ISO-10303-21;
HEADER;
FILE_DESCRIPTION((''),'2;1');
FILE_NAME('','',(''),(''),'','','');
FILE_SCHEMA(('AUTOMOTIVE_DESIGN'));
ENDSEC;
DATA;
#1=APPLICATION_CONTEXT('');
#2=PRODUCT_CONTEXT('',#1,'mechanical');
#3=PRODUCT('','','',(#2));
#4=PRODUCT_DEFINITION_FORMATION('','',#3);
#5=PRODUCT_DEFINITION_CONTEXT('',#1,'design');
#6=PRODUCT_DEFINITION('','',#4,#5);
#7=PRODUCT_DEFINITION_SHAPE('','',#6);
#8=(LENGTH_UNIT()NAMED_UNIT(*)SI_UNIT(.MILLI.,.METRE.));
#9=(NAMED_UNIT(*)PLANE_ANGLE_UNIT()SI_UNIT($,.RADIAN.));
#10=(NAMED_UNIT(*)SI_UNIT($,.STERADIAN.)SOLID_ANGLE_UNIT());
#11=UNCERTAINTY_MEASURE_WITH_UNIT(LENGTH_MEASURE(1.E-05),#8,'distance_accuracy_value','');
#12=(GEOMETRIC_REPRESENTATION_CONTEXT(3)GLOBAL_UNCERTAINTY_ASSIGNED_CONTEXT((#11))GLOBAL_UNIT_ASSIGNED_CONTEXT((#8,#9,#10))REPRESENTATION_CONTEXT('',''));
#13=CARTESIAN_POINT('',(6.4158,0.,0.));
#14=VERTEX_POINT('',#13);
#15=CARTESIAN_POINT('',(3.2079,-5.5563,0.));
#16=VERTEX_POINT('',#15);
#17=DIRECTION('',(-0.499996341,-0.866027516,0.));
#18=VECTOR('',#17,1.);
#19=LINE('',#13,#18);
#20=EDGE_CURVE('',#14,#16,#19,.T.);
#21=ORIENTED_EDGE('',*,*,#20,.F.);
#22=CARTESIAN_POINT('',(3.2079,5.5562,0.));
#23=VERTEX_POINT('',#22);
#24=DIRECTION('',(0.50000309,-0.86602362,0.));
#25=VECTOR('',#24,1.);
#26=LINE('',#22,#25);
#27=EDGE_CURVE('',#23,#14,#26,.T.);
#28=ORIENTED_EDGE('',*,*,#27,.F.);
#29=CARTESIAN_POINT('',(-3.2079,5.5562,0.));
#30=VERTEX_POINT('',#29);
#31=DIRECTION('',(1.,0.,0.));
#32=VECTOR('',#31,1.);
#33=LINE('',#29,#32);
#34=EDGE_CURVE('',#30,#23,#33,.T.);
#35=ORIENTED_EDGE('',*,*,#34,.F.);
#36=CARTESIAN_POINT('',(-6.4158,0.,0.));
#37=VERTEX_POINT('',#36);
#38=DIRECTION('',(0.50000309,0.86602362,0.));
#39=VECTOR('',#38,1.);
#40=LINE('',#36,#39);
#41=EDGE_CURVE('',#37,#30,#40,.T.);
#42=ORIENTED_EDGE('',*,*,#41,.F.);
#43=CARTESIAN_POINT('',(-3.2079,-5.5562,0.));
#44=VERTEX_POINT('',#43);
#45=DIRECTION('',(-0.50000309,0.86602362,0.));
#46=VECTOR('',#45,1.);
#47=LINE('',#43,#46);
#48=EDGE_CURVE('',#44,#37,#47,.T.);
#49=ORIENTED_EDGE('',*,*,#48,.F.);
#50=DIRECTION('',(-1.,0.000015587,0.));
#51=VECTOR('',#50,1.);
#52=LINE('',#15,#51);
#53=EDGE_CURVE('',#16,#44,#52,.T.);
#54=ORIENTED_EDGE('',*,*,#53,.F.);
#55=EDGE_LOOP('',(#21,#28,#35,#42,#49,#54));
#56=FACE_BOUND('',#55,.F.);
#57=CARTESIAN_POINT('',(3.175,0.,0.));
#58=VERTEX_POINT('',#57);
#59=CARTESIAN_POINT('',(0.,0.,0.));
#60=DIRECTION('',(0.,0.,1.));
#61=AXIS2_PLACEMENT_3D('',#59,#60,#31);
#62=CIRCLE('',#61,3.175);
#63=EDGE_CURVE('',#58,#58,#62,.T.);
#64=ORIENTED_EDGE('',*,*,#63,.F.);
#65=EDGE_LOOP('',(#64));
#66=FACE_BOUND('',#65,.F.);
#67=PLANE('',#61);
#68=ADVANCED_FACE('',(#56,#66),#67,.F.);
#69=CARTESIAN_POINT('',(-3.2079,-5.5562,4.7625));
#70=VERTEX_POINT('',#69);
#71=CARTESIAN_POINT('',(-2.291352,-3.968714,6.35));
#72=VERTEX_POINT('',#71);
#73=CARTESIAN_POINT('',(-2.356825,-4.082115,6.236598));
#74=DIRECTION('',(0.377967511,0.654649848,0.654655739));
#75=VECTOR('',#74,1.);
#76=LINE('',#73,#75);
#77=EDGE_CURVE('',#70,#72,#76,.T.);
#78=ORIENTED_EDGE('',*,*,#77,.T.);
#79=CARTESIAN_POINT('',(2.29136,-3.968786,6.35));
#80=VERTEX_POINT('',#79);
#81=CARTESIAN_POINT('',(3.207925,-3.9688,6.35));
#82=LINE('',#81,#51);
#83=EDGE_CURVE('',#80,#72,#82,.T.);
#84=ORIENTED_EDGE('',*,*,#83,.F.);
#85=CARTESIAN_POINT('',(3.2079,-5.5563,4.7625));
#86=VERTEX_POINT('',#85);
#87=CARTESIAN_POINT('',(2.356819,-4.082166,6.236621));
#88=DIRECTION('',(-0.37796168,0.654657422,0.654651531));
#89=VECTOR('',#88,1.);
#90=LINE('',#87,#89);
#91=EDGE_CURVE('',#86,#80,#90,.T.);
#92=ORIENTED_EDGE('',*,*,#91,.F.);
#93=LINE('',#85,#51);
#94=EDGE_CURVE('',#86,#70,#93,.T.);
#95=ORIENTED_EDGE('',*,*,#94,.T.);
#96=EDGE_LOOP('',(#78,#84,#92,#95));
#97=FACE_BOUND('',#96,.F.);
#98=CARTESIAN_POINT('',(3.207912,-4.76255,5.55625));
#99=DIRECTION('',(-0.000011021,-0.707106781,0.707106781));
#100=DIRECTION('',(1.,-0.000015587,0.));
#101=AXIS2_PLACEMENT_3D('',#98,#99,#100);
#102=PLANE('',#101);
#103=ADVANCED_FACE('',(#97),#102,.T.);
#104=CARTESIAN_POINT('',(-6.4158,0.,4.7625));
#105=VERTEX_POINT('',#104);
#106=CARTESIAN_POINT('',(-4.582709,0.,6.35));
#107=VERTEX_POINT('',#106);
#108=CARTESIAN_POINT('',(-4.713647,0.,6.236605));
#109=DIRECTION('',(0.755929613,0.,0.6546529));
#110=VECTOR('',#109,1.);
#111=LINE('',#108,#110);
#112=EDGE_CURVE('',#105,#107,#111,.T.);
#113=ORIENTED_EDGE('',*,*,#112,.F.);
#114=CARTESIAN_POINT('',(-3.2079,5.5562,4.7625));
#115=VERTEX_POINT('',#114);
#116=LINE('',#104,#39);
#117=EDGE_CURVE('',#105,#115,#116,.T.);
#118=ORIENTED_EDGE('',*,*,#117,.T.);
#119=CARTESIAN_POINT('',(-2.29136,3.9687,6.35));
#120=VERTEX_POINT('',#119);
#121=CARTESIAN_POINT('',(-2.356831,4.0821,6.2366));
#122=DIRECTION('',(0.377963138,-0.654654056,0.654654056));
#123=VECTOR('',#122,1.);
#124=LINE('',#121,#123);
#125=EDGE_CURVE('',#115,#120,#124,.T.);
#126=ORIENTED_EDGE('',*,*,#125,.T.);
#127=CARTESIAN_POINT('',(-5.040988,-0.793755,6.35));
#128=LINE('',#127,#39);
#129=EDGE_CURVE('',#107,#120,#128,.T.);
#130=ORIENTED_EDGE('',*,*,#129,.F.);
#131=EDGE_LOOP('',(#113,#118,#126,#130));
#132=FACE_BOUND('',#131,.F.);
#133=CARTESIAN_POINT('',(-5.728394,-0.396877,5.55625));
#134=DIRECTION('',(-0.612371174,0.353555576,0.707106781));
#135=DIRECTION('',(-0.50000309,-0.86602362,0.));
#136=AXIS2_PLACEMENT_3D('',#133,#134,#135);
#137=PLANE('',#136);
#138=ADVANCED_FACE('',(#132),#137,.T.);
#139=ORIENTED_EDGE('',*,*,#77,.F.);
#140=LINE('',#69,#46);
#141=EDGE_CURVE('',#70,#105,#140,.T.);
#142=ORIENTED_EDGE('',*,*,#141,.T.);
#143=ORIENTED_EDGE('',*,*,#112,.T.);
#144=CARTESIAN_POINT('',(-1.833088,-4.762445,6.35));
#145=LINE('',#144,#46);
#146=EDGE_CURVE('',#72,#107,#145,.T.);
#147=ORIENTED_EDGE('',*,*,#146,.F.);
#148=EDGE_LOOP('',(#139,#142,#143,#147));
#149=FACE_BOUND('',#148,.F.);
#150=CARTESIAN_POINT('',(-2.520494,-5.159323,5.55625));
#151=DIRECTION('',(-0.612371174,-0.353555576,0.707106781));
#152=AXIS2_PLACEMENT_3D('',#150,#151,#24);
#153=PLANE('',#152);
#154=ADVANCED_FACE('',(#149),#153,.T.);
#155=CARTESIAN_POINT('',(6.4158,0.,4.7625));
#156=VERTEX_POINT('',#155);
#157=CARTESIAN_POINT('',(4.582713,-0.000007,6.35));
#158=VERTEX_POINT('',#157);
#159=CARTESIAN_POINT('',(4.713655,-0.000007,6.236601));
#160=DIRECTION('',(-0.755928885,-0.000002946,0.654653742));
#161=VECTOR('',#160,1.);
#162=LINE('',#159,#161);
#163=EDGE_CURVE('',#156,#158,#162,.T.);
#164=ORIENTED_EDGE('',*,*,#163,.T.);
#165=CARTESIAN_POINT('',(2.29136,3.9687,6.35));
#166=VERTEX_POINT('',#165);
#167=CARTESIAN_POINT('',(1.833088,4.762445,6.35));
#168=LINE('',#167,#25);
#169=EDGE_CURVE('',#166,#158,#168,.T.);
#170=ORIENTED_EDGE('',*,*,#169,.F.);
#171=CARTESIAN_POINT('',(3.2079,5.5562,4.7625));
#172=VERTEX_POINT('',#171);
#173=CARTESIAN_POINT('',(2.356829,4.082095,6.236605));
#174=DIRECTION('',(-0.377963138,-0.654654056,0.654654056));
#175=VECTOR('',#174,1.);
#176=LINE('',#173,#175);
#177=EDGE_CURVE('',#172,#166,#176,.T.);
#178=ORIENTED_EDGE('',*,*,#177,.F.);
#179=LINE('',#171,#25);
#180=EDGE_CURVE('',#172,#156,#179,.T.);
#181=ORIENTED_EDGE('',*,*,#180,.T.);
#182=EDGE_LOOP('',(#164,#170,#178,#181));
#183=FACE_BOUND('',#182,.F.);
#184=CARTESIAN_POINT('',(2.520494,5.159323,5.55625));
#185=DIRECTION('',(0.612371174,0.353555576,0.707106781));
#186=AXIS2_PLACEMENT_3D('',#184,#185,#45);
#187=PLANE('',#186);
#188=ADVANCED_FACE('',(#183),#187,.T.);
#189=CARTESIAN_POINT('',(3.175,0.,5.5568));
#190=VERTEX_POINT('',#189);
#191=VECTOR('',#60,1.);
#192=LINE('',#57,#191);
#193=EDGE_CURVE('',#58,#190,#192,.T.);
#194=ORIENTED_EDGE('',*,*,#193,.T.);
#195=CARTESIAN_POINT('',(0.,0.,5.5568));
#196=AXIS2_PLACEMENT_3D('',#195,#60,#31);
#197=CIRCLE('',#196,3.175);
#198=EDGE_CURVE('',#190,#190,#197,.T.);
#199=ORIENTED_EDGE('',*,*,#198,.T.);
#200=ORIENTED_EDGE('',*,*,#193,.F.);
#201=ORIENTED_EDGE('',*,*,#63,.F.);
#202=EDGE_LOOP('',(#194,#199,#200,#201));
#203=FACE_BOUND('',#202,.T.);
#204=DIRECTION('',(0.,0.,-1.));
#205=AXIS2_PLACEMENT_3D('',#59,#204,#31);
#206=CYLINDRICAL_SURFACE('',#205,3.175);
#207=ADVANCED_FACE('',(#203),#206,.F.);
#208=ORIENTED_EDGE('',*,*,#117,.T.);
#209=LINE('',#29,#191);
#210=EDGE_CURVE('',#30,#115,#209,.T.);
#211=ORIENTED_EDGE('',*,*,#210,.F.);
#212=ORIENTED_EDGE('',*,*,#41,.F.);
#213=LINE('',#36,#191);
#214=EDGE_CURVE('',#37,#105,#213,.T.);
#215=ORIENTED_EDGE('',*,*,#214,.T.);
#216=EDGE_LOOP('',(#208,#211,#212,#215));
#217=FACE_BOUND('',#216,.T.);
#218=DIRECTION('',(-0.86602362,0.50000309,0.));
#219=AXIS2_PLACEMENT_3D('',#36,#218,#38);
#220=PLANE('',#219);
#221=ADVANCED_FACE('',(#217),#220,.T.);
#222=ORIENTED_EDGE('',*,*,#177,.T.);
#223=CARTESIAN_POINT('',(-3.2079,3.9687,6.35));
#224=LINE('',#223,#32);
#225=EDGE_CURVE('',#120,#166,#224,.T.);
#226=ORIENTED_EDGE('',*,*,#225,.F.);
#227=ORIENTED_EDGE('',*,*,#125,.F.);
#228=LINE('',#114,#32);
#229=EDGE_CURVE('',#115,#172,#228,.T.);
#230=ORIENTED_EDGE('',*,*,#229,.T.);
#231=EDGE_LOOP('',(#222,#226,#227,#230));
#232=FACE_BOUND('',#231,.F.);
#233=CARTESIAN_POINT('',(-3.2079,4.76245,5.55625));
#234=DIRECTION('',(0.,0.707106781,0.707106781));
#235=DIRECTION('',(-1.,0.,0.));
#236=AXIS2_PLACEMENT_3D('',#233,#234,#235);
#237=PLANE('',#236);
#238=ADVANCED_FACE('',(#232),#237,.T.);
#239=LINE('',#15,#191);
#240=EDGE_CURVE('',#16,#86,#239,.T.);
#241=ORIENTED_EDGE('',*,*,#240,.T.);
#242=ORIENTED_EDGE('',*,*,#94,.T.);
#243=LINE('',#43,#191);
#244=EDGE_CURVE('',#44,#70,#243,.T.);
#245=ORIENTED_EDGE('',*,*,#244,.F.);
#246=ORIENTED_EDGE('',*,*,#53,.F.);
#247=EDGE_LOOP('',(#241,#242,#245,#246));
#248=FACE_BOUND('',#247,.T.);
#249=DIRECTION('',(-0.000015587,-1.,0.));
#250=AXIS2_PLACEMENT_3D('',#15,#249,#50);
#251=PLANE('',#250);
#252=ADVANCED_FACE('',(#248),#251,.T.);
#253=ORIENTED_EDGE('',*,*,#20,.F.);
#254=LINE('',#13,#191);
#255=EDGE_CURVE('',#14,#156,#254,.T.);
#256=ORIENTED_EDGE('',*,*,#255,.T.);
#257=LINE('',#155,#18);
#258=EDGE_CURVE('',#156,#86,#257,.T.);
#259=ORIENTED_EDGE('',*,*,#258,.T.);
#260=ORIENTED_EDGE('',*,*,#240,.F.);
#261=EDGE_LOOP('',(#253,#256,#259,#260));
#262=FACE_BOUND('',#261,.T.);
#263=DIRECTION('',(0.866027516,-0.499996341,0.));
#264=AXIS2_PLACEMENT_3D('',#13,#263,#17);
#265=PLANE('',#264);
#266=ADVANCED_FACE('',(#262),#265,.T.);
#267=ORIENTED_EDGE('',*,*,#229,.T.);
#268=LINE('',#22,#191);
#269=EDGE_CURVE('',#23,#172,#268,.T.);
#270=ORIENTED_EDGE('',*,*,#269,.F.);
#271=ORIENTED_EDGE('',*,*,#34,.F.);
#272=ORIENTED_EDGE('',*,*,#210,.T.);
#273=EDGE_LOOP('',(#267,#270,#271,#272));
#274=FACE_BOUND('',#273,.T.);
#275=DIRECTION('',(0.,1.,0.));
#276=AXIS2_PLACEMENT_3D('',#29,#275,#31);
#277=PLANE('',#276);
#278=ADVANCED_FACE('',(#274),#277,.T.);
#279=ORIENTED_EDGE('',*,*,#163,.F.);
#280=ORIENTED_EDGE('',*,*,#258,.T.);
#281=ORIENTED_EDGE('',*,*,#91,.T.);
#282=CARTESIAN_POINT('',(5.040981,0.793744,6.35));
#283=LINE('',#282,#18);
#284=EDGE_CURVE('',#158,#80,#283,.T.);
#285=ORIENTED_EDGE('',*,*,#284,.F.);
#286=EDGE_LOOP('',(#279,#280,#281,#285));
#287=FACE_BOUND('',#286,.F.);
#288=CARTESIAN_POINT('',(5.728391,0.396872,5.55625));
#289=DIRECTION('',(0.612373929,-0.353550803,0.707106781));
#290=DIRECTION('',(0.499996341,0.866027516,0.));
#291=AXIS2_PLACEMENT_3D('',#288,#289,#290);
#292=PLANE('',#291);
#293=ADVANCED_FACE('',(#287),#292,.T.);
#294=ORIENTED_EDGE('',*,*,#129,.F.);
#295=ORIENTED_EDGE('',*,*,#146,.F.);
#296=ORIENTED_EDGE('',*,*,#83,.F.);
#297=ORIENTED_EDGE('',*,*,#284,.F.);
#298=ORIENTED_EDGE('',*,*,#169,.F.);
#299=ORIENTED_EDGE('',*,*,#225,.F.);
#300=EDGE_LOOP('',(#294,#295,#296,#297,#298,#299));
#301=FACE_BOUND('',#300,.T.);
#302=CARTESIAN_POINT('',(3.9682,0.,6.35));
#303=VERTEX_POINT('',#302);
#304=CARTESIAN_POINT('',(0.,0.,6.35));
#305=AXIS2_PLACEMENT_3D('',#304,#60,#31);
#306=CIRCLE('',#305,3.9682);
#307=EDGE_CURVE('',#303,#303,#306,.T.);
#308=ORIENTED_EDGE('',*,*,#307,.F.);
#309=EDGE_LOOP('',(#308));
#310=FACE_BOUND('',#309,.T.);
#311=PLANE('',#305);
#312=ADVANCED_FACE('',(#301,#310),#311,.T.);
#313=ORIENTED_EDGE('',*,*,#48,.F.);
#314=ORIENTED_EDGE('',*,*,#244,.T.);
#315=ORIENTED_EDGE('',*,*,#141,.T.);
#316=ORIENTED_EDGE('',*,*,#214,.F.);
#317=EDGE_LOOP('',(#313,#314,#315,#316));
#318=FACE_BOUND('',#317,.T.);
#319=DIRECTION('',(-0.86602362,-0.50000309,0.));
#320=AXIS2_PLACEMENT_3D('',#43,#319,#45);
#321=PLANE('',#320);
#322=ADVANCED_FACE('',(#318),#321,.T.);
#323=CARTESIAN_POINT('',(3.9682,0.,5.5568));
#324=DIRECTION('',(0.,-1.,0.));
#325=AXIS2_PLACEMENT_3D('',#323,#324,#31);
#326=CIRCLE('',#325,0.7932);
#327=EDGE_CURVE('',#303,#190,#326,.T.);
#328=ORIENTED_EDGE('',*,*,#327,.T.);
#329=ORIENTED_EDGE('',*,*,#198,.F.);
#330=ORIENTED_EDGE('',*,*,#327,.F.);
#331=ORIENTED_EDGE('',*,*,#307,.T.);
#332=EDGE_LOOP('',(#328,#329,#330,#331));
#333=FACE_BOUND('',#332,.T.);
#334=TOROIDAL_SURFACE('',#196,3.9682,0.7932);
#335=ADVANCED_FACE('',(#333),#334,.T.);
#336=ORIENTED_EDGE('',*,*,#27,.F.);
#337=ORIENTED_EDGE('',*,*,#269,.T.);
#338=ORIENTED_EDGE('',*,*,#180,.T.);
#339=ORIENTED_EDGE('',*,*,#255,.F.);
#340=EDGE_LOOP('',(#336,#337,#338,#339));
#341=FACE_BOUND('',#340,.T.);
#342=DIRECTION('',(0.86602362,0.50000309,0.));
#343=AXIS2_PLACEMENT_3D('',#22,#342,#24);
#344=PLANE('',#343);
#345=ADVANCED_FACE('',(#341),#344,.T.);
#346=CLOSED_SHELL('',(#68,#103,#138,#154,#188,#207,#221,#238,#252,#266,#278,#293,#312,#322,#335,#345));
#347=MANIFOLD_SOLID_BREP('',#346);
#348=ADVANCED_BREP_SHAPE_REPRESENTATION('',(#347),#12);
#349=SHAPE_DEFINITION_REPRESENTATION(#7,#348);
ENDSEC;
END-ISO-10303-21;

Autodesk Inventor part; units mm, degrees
ref_plane "YZ Plane" through (0, 0, 0) normal (1, 0, 0) x (0, 1, 0)
ref_plane "XZ Plane" through (0, 0, 0) normal (0, 1, 0) x (-1, 0, 0)
ref_plane "XY Plane" through (0, 0, 0) normal (0, 0, 1) x (1, 0, 0)
sketch "Sketch1" plane through (0, 0, 0) normal (0, 0, 1) x (1, 0, 0)
  circle A0 centre (0, 0) radius 3.175
  line L0 (3.2079, 5.5562) -> (6.4158, 0)
  line L1 (6.4158, 0) -> (3.2079, -5.5563)
  line L2 (3.2079, -5.5563) -> (-3.2079, -5.5562)
  line L3 (-3.2079, -5.5562) -> (-6.4158, 0)
  line L4 (-6.4158, 0) -> (-3.2079, 5.5562)
  line L5 (-3.2079, 5.5562) -> (3.2079, 5.5562)
  dimension "d0" = 6.35
  dimension "d1" = 11.1125
extrude "Extrusion1" add sketch "Sketch1" along normal blind 6.35
chamfer "Chamfer1" distance 1.5875 angle 45 6 edges at (4.8119, 2.7781, 6.35) (0, 5.5562, 6.35) (-4.8119, 2.7781, 6.35) (-4.8119, -2.7781, 6.35) (0, -5.5563, 6.35) (4.8119, -2.7781, 6.35)
thread "Thread1" size "1/4-20 UNC" class "2B" standard "ANSI Unified Screw Threads" full length
fillet "Fillet1" radius 0.7937 1 edges at (-3.175, 0, 6.35)
properties part number "nut_.25_20"
